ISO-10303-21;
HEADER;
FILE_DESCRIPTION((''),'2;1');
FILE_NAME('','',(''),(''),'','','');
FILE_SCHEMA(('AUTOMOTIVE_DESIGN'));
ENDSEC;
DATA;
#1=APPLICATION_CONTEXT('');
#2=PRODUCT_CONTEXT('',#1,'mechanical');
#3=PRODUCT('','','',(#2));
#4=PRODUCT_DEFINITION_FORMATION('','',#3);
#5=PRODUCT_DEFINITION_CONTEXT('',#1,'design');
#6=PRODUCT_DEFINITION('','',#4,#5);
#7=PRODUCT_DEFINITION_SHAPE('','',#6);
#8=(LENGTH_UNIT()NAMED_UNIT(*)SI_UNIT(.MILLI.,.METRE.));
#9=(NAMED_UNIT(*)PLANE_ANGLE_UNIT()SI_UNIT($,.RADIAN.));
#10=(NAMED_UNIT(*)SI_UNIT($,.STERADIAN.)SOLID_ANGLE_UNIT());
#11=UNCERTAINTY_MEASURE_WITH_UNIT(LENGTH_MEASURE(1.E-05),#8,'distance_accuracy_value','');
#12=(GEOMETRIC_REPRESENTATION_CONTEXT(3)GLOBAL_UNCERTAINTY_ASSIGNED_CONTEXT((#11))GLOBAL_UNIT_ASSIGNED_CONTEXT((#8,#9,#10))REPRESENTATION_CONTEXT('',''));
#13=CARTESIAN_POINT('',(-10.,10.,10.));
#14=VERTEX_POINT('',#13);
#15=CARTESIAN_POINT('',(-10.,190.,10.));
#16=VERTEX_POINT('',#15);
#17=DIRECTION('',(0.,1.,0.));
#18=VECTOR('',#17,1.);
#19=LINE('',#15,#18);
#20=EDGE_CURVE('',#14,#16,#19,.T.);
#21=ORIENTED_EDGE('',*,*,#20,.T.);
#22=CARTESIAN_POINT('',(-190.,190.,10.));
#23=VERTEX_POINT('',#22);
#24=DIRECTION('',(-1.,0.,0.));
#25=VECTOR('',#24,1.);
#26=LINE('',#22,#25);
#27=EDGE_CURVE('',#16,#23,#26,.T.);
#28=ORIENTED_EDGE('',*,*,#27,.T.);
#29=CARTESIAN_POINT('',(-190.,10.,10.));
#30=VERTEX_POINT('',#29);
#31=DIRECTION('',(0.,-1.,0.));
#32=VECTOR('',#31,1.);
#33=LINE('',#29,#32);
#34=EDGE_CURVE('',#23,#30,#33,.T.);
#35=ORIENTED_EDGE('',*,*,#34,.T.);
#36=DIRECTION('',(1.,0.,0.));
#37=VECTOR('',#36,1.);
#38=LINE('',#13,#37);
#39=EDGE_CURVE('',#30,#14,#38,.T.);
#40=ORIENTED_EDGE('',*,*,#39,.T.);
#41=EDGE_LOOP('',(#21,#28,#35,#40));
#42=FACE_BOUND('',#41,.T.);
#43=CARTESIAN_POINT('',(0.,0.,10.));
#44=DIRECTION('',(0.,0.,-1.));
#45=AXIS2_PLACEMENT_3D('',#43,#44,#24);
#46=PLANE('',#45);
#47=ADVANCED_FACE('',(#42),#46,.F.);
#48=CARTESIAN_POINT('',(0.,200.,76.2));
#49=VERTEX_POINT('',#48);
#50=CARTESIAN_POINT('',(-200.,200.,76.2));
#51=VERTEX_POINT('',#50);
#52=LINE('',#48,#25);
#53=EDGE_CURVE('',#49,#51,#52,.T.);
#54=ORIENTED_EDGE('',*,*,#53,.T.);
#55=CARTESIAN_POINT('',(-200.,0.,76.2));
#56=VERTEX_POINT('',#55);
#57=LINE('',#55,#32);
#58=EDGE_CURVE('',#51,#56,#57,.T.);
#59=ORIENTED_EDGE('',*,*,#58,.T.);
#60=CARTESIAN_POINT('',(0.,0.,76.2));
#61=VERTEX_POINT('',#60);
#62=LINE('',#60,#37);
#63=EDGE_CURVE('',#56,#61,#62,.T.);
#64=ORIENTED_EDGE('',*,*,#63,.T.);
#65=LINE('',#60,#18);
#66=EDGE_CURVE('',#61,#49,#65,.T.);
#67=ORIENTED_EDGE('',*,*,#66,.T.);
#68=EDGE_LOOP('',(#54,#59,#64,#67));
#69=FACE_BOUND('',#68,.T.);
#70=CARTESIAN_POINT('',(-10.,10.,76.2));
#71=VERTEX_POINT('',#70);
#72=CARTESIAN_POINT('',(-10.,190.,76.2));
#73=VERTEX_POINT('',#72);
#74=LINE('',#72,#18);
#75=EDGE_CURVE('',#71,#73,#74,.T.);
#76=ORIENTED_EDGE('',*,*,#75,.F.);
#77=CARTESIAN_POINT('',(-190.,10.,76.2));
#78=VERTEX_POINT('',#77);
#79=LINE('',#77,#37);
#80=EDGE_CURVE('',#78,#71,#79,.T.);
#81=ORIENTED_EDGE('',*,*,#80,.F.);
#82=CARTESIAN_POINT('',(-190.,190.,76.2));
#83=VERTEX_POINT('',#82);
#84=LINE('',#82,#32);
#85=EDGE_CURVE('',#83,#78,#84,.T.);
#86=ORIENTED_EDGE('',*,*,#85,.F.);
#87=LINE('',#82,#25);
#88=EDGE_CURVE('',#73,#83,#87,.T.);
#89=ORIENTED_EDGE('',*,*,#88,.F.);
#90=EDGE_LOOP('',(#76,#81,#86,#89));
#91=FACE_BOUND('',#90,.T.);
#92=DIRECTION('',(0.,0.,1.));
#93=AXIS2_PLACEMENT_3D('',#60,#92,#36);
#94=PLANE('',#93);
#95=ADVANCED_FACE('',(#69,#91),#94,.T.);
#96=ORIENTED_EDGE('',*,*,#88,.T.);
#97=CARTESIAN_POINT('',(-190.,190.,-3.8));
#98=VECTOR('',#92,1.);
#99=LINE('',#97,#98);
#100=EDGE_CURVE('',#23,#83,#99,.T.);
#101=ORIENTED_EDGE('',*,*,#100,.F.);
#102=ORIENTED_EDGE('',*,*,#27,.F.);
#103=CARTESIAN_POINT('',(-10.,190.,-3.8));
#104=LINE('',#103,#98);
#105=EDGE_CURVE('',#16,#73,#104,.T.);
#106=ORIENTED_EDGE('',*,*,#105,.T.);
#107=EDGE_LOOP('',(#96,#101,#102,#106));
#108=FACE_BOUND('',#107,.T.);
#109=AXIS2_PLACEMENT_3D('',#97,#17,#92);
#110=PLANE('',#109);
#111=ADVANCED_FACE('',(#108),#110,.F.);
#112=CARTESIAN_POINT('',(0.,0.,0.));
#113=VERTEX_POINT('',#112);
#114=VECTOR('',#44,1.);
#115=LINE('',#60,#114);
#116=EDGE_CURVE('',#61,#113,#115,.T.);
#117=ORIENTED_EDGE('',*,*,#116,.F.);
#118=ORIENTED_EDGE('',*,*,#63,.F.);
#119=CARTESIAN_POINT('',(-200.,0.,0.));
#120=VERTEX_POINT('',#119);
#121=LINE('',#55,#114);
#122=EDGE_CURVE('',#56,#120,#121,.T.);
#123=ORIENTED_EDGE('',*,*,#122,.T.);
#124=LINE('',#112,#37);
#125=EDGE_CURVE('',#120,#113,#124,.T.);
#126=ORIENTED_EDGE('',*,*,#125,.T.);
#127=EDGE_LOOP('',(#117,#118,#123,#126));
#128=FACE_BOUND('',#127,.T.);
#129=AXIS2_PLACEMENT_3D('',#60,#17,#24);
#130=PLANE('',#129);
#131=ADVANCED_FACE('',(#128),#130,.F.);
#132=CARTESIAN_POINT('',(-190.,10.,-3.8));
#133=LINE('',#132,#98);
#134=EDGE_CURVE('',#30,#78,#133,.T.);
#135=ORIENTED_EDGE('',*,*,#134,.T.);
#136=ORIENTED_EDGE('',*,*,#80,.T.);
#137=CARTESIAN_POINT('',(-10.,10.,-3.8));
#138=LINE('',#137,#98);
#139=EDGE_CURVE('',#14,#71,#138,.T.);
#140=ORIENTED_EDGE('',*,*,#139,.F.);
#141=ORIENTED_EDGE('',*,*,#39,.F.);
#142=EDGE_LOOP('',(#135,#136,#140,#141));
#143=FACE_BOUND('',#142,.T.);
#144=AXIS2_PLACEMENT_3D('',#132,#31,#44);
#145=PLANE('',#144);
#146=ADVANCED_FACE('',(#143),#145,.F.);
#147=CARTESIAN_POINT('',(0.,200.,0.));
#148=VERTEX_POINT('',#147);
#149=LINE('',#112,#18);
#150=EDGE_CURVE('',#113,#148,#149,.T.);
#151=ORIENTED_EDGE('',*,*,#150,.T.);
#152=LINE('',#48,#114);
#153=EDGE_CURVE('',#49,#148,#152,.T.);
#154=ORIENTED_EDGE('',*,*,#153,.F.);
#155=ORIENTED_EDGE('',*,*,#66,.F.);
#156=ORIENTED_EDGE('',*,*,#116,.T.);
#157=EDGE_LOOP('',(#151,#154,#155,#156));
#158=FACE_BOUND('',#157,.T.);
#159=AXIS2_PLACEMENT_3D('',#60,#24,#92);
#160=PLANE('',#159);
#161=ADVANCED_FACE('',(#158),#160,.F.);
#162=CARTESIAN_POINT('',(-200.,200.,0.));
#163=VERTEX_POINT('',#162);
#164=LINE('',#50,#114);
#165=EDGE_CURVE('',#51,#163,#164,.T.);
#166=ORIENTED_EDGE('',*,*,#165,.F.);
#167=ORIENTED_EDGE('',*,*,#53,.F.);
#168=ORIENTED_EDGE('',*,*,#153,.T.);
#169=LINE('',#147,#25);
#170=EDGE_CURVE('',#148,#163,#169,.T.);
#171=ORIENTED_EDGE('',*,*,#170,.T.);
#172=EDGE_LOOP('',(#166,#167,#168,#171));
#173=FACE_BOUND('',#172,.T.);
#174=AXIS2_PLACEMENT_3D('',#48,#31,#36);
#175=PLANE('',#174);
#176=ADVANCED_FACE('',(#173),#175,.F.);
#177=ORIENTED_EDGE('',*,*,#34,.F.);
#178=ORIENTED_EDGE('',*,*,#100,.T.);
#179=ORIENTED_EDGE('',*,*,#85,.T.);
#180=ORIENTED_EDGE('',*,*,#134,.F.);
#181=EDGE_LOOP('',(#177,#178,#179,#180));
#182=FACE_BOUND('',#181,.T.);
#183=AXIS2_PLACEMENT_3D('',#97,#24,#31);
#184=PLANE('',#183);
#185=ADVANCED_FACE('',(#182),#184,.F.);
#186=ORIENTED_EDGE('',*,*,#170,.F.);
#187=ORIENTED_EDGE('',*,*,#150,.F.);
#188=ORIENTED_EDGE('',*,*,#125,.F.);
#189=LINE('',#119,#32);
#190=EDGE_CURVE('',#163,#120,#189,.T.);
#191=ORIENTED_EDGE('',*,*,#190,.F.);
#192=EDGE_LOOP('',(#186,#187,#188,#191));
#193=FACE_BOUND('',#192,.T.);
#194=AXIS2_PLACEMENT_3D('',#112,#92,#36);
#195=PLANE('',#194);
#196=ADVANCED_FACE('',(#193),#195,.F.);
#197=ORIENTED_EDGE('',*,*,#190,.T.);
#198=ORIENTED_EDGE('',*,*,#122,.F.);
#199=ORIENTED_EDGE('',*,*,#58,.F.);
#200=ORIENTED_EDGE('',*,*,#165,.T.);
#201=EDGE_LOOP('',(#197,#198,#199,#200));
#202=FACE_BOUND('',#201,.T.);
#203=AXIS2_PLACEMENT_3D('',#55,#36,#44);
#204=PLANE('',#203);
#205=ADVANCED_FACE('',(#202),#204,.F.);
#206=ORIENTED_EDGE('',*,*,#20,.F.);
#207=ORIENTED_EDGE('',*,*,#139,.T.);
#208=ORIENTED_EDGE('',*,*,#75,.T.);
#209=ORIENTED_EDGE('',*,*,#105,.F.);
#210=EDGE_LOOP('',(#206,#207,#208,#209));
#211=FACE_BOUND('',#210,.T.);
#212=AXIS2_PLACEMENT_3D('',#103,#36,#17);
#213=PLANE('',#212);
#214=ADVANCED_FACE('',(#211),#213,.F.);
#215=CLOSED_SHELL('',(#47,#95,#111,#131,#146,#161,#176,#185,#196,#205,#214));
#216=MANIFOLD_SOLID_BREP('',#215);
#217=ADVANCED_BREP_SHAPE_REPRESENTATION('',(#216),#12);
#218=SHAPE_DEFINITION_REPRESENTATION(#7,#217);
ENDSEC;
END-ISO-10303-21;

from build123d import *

# Parameters (mm, degrees)
SKETCH1_W           = 200
SKETCH1_H           = 200
BOSS_EXTRUDE1_DEPTH = 76.2
SKETCH2_W           = 180
SKETCH2_H           = 180
CUT_EXTRUDE2_DEPTH  = 80
SKETCH3_W           = 180
SKETCH3_H           = 180
BOSS_EXTRUDE2_DEPTH = 10


with BuildPart() as part:
    # Sketch1 → Boss-Extrude1 (new body)
    with BuildSketch(Plane.XY):
        with Locations((-100, 100)):
            Rectangle(SKETCH1_W, SKETCH1_H)
    extrude(amount=BOSS_EXTRUDE1_DEPTH)

    # Sketch2 → Cut-Extrude2 (cut)
    with BuildSketch(Plane.XY.offset(76.2)):
        with Locations((-100, 100)):
            Rectangle(SKETCH2_W, SKETCH2_H)
    extrude(amount=-CUT_EXTRUDE2_DEPTH, mode=Mode.SUBTRACT)

    # Sketch3 → Boss-Extrude2 (add)
    with BuildSketch(Plane.XY):
        with Locations((-100, 100)):
            Rectangle(SKETCH3_W, SKETCH3_H)
    extrude(amount=BOSS_EXTRUDE2_DEPTH)


solid = part.part
